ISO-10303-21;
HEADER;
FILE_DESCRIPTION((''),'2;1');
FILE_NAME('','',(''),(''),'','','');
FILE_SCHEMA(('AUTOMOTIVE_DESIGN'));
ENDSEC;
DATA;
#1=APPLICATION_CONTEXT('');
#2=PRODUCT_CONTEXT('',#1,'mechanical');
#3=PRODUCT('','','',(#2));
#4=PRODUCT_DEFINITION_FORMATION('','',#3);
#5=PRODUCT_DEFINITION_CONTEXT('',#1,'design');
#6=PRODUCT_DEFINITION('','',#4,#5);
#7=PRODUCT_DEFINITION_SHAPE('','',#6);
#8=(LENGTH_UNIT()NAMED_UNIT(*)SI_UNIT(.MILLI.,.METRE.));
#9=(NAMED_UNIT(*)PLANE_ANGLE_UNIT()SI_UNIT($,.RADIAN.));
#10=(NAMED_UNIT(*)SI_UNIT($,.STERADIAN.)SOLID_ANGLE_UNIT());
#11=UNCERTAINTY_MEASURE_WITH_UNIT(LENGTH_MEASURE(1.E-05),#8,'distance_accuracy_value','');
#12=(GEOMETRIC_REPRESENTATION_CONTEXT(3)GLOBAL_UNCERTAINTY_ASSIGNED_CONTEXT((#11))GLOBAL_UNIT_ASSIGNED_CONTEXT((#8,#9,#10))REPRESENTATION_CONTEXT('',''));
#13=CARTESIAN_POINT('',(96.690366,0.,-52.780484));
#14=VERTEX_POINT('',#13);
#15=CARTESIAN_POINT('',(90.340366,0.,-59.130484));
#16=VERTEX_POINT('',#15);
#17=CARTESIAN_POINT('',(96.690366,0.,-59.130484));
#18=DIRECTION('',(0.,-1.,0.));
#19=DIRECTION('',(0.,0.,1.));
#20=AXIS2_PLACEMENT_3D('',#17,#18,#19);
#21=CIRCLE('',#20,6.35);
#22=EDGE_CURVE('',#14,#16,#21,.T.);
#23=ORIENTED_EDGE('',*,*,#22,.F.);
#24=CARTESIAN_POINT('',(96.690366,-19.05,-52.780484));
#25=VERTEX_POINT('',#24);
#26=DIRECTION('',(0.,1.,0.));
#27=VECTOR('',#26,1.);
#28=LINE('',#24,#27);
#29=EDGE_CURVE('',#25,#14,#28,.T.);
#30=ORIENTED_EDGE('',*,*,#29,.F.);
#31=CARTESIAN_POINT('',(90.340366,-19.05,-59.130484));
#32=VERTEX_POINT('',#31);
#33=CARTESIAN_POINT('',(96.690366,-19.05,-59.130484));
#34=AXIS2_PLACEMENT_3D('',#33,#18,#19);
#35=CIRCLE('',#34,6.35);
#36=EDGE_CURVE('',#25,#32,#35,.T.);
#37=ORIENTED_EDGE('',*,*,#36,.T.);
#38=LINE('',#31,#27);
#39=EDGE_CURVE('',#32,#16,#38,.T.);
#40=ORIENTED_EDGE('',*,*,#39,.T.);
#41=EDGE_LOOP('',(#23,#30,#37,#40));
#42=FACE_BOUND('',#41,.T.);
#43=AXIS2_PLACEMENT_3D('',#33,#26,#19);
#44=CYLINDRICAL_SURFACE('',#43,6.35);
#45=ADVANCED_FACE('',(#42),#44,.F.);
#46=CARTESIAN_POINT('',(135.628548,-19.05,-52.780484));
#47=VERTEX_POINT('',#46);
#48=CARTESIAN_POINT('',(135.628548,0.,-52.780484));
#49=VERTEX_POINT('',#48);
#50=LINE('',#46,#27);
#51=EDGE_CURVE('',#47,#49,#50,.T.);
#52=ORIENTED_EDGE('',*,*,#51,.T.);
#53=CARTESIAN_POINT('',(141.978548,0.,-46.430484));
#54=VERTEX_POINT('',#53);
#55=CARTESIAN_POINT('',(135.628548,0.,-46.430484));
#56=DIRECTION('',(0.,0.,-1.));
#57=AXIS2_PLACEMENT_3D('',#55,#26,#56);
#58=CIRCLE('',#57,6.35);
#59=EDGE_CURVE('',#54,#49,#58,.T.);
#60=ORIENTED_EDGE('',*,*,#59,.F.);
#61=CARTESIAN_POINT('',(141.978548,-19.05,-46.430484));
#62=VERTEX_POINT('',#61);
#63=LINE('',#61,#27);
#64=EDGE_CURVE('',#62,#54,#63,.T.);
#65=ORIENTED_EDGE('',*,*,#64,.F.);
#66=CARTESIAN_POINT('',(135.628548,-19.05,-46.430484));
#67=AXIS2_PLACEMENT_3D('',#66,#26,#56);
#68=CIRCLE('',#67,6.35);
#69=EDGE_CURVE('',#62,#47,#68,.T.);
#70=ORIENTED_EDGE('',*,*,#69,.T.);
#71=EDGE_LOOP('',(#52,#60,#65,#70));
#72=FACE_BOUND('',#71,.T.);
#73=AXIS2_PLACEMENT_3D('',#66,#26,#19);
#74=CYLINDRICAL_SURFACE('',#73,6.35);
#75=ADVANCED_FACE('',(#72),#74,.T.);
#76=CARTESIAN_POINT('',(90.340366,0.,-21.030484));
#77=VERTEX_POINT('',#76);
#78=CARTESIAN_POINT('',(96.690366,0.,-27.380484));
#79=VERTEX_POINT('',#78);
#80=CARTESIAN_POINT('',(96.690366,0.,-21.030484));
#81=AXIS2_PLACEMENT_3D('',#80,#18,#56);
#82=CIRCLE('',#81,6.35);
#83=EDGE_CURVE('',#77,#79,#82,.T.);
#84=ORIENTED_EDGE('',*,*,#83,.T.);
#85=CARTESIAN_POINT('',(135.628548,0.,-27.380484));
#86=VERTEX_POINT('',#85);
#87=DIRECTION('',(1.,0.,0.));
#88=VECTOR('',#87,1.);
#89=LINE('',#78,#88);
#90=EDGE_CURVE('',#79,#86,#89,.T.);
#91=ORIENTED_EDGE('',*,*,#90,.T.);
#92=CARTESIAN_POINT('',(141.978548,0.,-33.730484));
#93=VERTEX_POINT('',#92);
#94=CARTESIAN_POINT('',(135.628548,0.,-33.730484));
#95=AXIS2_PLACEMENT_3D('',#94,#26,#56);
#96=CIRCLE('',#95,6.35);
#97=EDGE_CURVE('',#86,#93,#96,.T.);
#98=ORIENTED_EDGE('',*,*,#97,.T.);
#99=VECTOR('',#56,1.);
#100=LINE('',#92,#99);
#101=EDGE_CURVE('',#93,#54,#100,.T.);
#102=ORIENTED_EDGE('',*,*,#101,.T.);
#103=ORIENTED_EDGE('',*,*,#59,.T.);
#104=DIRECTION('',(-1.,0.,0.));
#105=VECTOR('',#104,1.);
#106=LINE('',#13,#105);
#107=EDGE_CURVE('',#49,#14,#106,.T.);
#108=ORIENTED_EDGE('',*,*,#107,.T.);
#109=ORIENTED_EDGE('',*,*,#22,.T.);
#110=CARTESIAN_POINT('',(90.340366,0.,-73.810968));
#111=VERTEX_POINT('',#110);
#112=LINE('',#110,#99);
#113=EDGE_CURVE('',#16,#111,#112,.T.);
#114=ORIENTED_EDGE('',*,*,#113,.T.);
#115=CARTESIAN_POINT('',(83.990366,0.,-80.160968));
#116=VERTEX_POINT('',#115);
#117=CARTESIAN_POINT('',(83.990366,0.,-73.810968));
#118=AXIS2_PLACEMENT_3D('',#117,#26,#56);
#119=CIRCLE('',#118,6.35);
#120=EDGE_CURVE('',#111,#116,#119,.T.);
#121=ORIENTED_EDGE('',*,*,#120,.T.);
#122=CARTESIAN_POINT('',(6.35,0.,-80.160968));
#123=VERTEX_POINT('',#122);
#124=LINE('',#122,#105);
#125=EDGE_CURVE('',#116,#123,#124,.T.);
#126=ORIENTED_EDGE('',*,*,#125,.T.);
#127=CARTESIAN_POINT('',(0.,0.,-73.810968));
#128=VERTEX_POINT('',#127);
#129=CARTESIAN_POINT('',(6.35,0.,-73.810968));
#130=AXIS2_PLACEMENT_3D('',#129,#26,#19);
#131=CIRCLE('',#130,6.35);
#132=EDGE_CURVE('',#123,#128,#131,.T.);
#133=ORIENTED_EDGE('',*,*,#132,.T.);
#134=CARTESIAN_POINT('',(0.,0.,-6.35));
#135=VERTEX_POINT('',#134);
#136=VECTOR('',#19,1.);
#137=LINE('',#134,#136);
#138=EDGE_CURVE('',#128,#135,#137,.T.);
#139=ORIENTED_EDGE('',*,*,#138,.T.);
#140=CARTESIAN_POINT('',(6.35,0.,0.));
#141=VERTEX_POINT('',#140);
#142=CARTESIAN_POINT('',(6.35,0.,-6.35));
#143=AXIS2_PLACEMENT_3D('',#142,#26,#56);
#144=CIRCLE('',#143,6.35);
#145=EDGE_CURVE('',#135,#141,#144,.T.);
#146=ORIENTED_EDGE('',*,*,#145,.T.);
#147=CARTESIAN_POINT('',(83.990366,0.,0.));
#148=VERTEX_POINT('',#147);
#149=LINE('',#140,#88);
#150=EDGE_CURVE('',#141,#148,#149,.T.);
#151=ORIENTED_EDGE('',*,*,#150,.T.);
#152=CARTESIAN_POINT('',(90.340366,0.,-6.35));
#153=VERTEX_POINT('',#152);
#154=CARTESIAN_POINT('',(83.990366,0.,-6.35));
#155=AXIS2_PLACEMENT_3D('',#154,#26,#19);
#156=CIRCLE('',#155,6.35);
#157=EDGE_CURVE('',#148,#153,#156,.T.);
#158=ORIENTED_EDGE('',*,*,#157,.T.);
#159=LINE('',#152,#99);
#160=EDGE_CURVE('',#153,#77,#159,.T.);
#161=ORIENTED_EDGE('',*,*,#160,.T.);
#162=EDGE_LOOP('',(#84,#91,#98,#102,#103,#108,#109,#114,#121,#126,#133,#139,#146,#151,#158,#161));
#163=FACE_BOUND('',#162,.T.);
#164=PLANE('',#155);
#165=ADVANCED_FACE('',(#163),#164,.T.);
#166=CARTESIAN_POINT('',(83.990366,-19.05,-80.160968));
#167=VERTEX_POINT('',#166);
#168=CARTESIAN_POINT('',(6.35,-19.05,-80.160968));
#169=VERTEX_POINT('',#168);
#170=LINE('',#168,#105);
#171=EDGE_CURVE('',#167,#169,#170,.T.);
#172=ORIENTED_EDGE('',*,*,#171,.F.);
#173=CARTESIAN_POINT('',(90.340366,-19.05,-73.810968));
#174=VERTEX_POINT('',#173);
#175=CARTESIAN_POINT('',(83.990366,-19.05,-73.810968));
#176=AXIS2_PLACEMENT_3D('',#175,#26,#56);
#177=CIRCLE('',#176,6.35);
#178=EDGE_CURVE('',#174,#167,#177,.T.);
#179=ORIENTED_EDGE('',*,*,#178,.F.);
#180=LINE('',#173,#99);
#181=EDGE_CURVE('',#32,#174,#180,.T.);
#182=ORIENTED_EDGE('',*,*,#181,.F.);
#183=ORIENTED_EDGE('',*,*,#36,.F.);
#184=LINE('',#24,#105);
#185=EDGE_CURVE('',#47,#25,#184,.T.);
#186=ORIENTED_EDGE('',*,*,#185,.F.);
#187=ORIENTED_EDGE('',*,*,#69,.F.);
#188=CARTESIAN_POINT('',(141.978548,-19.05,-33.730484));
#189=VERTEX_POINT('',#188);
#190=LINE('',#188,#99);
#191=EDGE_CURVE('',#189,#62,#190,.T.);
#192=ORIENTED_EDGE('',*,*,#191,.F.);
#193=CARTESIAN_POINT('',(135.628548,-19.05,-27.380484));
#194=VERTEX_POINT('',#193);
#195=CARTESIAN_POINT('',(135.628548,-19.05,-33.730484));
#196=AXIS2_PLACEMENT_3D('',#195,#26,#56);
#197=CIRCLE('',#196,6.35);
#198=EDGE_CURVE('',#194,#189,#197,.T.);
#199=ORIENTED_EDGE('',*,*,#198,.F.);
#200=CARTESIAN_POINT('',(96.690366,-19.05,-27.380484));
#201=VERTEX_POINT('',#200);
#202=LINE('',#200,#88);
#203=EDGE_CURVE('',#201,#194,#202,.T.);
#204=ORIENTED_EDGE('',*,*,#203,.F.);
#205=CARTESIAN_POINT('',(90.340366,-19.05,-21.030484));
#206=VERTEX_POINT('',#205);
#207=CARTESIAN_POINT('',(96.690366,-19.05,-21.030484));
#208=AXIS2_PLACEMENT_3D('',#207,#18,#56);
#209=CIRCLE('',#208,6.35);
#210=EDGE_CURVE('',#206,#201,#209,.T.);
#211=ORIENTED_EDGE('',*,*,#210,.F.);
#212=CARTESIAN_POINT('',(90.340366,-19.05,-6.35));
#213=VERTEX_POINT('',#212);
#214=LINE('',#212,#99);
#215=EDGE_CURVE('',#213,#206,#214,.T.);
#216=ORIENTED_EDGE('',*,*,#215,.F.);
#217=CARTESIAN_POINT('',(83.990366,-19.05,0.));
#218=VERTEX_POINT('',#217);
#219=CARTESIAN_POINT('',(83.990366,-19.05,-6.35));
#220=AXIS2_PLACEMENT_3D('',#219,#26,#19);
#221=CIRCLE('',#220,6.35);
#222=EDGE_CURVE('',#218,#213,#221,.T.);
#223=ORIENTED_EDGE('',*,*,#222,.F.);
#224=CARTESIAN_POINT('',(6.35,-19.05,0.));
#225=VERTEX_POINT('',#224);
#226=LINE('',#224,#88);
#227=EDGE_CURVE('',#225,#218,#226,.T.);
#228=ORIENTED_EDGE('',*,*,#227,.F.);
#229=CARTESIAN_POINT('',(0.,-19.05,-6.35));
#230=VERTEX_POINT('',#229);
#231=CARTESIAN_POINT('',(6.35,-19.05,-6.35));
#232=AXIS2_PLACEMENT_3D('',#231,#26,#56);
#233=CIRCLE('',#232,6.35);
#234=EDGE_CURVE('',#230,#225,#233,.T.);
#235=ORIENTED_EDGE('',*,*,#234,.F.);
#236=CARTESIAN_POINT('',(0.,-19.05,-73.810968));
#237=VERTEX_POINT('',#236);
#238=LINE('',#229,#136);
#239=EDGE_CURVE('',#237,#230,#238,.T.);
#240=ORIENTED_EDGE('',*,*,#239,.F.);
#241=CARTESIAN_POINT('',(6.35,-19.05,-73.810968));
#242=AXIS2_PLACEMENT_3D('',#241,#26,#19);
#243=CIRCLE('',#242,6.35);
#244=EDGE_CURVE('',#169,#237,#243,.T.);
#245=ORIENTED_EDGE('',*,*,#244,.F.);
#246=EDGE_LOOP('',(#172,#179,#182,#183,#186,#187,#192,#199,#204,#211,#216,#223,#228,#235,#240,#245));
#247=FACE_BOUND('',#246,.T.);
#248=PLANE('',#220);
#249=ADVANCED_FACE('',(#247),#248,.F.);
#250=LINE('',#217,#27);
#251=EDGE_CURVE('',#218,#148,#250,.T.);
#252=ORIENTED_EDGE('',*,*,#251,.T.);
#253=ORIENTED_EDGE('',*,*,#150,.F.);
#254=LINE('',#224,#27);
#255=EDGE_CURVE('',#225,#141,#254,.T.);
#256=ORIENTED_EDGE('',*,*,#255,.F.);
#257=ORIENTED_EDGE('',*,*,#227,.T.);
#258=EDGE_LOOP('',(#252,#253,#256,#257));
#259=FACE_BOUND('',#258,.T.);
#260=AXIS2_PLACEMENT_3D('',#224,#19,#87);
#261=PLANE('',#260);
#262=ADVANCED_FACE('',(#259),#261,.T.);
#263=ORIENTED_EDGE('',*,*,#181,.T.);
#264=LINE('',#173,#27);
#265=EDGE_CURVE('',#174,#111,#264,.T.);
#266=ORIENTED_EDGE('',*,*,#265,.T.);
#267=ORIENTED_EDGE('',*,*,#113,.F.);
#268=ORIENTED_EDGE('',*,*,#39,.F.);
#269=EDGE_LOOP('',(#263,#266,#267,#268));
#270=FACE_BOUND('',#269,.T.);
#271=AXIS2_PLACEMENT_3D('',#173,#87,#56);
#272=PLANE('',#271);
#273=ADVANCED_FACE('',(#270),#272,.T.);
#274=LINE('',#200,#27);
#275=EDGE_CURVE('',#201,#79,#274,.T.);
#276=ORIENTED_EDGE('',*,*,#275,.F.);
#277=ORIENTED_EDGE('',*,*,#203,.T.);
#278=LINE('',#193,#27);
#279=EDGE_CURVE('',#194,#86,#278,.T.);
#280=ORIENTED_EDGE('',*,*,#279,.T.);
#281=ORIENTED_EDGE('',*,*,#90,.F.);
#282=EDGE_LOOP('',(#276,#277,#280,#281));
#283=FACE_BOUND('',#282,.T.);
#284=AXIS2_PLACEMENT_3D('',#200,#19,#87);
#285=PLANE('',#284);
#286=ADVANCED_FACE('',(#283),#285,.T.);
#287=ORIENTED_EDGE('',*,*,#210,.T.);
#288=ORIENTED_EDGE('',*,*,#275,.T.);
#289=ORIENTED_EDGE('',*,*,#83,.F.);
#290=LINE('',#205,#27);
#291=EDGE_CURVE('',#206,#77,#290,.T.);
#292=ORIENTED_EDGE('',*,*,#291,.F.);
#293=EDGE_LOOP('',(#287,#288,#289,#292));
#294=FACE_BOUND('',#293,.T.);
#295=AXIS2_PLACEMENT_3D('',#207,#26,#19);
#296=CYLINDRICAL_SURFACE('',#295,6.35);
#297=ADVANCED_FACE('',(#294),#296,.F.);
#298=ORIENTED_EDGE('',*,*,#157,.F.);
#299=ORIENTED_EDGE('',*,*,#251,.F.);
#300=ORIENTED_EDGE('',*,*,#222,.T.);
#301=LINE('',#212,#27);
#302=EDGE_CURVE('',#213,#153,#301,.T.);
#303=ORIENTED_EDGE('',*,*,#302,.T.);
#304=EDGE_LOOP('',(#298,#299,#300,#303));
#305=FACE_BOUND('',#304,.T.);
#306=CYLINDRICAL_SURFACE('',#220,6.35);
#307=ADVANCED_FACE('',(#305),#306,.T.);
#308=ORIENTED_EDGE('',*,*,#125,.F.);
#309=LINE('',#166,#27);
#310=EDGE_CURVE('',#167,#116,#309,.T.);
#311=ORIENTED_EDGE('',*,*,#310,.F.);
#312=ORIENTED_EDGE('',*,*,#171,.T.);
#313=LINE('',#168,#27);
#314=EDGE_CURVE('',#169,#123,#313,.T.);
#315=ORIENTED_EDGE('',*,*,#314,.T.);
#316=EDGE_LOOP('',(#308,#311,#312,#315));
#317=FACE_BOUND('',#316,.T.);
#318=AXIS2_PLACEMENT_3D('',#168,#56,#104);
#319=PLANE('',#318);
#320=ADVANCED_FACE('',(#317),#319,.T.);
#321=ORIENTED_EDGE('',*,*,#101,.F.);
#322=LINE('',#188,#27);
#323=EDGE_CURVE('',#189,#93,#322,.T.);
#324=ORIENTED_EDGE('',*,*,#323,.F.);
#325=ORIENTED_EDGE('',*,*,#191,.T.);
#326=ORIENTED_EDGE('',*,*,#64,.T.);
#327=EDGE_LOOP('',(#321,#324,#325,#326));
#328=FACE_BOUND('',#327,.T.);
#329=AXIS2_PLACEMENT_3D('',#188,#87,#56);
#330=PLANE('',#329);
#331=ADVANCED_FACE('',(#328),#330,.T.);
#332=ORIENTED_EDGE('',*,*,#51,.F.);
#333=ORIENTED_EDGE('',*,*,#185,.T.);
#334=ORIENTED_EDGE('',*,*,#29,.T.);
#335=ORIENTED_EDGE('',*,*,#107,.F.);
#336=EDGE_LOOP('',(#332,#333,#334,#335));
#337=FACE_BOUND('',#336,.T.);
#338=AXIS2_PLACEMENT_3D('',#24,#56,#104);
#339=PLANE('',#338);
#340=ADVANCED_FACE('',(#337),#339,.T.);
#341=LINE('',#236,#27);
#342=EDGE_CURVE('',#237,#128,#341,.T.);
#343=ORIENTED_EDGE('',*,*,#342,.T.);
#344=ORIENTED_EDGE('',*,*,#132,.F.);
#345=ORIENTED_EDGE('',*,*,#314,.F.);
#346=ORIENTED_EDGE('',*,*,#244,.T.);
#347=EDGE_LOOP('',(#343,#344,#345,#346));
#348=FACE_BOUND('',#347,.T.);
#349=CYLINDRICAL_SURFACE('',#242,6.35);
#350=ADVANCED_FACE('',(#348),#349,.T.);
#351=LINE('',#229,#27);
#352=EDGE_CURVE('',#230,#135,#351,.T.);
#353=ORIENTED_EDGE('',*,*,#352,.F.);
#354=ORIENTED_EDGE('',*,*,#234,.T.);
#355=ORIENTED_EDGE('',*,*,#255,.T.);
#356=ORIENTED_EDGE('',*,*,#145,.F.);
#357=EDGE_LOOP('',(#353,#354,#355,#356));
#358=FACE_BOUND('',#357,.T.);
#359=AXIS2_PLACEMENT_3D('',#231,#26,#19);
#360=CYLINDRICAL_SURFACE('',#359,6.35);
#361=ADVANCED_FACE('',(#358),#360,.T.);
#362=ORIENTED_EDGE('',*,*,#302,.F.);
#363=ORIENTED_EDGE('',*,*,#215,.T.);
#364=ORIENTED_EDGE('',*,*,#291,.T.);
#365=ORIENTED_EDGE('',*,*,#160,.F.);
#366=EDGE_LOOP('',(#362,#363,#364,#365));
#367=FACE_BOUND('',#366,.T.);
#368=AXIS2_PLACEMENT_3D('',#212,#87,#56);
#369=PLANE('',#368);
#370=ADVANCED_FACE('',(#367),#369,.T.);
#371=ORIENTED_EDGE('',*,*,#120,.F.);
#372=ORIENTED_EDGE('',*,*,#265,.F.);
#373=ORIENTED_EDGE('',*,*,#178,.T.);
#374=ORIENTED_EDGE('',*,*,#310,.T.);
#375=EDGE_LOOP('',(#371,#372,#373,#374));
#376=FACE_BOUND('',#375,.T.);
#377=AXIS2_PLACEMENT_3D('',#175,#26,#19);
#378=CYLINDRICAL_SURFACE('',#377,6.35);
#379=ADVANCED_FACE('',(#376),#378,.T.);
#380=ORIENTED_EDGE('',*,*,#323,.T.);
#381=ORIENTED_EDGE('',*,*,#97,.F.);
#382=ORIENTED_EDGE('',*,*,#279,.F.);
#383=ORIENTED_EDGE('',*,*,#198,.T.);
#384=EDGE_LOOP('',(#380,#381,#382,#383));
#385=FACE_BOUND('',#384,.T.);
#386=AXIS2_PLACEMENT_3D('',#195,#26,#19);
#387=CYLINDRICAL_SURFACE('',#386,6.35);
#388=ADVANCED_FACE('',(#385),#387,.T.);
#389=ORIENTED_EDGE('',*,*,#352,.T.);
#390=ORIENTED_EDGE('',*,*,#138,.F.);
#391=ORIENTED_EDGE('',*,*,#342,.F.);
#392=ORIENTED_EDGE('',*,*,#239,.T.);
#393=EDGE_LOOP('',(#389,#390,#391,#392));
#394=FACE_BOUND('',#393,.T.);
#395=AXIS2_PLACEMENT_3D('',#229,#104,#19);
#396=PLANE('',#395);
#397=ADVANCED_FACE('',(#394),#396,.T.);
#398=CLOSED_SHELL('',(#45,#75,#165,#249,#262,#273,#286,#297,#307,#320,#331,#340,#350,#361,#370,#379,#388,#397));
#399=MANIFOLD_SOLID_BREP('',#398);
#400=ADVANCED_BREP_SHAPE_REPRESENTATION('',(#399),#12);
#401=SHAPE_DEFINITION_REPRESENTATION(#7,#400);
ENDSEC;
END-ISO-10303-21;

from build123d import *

# Parameters (mm, degrees)
EXTRUDE2_DEPTH = 19.05


with BuildPart() as part:
    # Sketch2 → Extrude2 (new body)
    with BuildSketch(Plane(origin=(0, 0, 0), x_dir=(1, 0, 0), z_dir=(0, 1, 0))):
        with BuildLine():
            Line((0, 6.35), (0, 73.810967782))
            ThreePointArc((0, 73.810967782), (1.859871939, 78.301095843), (6.35, 80.160967782))
            Line((6.35, 80.160967782), (83.990365758, 80.160967782))
            ThreePointArc((83.990365758, 80.160967782), (88.480493819, 78.301095843), (90.340365758, 73.810967782))
            Line((90.340365758, 73.810967782), (90.340365758, 59.130483891))
            ThreePointArc((90.340365758, 59.130483891), (92.200237698, 54.640355831), (96.690365758, 52.780483891))
            Line((96.690365758, 52.780483891), (135.628548363, 52.780483891))
            ThreePointArc((135.628548363, 52.780483891), (140.118676423, 50.920611952), (141.978548363, 46.430483891))
            Line((141.978548363, 46.430483891), (141.978548363, 33.730483891))
            ThreePointArc((141.978548363, 33.730483891), (140.118676423, 29.240355831), (135.628548363, 27.380483891))
            Line((135.628548363, 27.380483891), (96.690365758, 27.380483891))
            ThreePointArc((96.690365758, 27.380483891), (92.200237698, 25.520611952), (90.340365758, 21.030483891))
            Line((90.340365758, 21.030483891), (90.340365758, 6.35))
            ThreePointArc((90.340365758, 6.35), (88.480493819, 1.859871939), (83.990365758, 0))
            Line((83.990365758, 0), (6.35, 0))
            ThreePointArc((6.35, 0), (1.859871939, 1.859871939), (0, 6.35))
        make_face()
    extrude(amount=-EXTRUDE2_DEPTH)


solid = part.part
